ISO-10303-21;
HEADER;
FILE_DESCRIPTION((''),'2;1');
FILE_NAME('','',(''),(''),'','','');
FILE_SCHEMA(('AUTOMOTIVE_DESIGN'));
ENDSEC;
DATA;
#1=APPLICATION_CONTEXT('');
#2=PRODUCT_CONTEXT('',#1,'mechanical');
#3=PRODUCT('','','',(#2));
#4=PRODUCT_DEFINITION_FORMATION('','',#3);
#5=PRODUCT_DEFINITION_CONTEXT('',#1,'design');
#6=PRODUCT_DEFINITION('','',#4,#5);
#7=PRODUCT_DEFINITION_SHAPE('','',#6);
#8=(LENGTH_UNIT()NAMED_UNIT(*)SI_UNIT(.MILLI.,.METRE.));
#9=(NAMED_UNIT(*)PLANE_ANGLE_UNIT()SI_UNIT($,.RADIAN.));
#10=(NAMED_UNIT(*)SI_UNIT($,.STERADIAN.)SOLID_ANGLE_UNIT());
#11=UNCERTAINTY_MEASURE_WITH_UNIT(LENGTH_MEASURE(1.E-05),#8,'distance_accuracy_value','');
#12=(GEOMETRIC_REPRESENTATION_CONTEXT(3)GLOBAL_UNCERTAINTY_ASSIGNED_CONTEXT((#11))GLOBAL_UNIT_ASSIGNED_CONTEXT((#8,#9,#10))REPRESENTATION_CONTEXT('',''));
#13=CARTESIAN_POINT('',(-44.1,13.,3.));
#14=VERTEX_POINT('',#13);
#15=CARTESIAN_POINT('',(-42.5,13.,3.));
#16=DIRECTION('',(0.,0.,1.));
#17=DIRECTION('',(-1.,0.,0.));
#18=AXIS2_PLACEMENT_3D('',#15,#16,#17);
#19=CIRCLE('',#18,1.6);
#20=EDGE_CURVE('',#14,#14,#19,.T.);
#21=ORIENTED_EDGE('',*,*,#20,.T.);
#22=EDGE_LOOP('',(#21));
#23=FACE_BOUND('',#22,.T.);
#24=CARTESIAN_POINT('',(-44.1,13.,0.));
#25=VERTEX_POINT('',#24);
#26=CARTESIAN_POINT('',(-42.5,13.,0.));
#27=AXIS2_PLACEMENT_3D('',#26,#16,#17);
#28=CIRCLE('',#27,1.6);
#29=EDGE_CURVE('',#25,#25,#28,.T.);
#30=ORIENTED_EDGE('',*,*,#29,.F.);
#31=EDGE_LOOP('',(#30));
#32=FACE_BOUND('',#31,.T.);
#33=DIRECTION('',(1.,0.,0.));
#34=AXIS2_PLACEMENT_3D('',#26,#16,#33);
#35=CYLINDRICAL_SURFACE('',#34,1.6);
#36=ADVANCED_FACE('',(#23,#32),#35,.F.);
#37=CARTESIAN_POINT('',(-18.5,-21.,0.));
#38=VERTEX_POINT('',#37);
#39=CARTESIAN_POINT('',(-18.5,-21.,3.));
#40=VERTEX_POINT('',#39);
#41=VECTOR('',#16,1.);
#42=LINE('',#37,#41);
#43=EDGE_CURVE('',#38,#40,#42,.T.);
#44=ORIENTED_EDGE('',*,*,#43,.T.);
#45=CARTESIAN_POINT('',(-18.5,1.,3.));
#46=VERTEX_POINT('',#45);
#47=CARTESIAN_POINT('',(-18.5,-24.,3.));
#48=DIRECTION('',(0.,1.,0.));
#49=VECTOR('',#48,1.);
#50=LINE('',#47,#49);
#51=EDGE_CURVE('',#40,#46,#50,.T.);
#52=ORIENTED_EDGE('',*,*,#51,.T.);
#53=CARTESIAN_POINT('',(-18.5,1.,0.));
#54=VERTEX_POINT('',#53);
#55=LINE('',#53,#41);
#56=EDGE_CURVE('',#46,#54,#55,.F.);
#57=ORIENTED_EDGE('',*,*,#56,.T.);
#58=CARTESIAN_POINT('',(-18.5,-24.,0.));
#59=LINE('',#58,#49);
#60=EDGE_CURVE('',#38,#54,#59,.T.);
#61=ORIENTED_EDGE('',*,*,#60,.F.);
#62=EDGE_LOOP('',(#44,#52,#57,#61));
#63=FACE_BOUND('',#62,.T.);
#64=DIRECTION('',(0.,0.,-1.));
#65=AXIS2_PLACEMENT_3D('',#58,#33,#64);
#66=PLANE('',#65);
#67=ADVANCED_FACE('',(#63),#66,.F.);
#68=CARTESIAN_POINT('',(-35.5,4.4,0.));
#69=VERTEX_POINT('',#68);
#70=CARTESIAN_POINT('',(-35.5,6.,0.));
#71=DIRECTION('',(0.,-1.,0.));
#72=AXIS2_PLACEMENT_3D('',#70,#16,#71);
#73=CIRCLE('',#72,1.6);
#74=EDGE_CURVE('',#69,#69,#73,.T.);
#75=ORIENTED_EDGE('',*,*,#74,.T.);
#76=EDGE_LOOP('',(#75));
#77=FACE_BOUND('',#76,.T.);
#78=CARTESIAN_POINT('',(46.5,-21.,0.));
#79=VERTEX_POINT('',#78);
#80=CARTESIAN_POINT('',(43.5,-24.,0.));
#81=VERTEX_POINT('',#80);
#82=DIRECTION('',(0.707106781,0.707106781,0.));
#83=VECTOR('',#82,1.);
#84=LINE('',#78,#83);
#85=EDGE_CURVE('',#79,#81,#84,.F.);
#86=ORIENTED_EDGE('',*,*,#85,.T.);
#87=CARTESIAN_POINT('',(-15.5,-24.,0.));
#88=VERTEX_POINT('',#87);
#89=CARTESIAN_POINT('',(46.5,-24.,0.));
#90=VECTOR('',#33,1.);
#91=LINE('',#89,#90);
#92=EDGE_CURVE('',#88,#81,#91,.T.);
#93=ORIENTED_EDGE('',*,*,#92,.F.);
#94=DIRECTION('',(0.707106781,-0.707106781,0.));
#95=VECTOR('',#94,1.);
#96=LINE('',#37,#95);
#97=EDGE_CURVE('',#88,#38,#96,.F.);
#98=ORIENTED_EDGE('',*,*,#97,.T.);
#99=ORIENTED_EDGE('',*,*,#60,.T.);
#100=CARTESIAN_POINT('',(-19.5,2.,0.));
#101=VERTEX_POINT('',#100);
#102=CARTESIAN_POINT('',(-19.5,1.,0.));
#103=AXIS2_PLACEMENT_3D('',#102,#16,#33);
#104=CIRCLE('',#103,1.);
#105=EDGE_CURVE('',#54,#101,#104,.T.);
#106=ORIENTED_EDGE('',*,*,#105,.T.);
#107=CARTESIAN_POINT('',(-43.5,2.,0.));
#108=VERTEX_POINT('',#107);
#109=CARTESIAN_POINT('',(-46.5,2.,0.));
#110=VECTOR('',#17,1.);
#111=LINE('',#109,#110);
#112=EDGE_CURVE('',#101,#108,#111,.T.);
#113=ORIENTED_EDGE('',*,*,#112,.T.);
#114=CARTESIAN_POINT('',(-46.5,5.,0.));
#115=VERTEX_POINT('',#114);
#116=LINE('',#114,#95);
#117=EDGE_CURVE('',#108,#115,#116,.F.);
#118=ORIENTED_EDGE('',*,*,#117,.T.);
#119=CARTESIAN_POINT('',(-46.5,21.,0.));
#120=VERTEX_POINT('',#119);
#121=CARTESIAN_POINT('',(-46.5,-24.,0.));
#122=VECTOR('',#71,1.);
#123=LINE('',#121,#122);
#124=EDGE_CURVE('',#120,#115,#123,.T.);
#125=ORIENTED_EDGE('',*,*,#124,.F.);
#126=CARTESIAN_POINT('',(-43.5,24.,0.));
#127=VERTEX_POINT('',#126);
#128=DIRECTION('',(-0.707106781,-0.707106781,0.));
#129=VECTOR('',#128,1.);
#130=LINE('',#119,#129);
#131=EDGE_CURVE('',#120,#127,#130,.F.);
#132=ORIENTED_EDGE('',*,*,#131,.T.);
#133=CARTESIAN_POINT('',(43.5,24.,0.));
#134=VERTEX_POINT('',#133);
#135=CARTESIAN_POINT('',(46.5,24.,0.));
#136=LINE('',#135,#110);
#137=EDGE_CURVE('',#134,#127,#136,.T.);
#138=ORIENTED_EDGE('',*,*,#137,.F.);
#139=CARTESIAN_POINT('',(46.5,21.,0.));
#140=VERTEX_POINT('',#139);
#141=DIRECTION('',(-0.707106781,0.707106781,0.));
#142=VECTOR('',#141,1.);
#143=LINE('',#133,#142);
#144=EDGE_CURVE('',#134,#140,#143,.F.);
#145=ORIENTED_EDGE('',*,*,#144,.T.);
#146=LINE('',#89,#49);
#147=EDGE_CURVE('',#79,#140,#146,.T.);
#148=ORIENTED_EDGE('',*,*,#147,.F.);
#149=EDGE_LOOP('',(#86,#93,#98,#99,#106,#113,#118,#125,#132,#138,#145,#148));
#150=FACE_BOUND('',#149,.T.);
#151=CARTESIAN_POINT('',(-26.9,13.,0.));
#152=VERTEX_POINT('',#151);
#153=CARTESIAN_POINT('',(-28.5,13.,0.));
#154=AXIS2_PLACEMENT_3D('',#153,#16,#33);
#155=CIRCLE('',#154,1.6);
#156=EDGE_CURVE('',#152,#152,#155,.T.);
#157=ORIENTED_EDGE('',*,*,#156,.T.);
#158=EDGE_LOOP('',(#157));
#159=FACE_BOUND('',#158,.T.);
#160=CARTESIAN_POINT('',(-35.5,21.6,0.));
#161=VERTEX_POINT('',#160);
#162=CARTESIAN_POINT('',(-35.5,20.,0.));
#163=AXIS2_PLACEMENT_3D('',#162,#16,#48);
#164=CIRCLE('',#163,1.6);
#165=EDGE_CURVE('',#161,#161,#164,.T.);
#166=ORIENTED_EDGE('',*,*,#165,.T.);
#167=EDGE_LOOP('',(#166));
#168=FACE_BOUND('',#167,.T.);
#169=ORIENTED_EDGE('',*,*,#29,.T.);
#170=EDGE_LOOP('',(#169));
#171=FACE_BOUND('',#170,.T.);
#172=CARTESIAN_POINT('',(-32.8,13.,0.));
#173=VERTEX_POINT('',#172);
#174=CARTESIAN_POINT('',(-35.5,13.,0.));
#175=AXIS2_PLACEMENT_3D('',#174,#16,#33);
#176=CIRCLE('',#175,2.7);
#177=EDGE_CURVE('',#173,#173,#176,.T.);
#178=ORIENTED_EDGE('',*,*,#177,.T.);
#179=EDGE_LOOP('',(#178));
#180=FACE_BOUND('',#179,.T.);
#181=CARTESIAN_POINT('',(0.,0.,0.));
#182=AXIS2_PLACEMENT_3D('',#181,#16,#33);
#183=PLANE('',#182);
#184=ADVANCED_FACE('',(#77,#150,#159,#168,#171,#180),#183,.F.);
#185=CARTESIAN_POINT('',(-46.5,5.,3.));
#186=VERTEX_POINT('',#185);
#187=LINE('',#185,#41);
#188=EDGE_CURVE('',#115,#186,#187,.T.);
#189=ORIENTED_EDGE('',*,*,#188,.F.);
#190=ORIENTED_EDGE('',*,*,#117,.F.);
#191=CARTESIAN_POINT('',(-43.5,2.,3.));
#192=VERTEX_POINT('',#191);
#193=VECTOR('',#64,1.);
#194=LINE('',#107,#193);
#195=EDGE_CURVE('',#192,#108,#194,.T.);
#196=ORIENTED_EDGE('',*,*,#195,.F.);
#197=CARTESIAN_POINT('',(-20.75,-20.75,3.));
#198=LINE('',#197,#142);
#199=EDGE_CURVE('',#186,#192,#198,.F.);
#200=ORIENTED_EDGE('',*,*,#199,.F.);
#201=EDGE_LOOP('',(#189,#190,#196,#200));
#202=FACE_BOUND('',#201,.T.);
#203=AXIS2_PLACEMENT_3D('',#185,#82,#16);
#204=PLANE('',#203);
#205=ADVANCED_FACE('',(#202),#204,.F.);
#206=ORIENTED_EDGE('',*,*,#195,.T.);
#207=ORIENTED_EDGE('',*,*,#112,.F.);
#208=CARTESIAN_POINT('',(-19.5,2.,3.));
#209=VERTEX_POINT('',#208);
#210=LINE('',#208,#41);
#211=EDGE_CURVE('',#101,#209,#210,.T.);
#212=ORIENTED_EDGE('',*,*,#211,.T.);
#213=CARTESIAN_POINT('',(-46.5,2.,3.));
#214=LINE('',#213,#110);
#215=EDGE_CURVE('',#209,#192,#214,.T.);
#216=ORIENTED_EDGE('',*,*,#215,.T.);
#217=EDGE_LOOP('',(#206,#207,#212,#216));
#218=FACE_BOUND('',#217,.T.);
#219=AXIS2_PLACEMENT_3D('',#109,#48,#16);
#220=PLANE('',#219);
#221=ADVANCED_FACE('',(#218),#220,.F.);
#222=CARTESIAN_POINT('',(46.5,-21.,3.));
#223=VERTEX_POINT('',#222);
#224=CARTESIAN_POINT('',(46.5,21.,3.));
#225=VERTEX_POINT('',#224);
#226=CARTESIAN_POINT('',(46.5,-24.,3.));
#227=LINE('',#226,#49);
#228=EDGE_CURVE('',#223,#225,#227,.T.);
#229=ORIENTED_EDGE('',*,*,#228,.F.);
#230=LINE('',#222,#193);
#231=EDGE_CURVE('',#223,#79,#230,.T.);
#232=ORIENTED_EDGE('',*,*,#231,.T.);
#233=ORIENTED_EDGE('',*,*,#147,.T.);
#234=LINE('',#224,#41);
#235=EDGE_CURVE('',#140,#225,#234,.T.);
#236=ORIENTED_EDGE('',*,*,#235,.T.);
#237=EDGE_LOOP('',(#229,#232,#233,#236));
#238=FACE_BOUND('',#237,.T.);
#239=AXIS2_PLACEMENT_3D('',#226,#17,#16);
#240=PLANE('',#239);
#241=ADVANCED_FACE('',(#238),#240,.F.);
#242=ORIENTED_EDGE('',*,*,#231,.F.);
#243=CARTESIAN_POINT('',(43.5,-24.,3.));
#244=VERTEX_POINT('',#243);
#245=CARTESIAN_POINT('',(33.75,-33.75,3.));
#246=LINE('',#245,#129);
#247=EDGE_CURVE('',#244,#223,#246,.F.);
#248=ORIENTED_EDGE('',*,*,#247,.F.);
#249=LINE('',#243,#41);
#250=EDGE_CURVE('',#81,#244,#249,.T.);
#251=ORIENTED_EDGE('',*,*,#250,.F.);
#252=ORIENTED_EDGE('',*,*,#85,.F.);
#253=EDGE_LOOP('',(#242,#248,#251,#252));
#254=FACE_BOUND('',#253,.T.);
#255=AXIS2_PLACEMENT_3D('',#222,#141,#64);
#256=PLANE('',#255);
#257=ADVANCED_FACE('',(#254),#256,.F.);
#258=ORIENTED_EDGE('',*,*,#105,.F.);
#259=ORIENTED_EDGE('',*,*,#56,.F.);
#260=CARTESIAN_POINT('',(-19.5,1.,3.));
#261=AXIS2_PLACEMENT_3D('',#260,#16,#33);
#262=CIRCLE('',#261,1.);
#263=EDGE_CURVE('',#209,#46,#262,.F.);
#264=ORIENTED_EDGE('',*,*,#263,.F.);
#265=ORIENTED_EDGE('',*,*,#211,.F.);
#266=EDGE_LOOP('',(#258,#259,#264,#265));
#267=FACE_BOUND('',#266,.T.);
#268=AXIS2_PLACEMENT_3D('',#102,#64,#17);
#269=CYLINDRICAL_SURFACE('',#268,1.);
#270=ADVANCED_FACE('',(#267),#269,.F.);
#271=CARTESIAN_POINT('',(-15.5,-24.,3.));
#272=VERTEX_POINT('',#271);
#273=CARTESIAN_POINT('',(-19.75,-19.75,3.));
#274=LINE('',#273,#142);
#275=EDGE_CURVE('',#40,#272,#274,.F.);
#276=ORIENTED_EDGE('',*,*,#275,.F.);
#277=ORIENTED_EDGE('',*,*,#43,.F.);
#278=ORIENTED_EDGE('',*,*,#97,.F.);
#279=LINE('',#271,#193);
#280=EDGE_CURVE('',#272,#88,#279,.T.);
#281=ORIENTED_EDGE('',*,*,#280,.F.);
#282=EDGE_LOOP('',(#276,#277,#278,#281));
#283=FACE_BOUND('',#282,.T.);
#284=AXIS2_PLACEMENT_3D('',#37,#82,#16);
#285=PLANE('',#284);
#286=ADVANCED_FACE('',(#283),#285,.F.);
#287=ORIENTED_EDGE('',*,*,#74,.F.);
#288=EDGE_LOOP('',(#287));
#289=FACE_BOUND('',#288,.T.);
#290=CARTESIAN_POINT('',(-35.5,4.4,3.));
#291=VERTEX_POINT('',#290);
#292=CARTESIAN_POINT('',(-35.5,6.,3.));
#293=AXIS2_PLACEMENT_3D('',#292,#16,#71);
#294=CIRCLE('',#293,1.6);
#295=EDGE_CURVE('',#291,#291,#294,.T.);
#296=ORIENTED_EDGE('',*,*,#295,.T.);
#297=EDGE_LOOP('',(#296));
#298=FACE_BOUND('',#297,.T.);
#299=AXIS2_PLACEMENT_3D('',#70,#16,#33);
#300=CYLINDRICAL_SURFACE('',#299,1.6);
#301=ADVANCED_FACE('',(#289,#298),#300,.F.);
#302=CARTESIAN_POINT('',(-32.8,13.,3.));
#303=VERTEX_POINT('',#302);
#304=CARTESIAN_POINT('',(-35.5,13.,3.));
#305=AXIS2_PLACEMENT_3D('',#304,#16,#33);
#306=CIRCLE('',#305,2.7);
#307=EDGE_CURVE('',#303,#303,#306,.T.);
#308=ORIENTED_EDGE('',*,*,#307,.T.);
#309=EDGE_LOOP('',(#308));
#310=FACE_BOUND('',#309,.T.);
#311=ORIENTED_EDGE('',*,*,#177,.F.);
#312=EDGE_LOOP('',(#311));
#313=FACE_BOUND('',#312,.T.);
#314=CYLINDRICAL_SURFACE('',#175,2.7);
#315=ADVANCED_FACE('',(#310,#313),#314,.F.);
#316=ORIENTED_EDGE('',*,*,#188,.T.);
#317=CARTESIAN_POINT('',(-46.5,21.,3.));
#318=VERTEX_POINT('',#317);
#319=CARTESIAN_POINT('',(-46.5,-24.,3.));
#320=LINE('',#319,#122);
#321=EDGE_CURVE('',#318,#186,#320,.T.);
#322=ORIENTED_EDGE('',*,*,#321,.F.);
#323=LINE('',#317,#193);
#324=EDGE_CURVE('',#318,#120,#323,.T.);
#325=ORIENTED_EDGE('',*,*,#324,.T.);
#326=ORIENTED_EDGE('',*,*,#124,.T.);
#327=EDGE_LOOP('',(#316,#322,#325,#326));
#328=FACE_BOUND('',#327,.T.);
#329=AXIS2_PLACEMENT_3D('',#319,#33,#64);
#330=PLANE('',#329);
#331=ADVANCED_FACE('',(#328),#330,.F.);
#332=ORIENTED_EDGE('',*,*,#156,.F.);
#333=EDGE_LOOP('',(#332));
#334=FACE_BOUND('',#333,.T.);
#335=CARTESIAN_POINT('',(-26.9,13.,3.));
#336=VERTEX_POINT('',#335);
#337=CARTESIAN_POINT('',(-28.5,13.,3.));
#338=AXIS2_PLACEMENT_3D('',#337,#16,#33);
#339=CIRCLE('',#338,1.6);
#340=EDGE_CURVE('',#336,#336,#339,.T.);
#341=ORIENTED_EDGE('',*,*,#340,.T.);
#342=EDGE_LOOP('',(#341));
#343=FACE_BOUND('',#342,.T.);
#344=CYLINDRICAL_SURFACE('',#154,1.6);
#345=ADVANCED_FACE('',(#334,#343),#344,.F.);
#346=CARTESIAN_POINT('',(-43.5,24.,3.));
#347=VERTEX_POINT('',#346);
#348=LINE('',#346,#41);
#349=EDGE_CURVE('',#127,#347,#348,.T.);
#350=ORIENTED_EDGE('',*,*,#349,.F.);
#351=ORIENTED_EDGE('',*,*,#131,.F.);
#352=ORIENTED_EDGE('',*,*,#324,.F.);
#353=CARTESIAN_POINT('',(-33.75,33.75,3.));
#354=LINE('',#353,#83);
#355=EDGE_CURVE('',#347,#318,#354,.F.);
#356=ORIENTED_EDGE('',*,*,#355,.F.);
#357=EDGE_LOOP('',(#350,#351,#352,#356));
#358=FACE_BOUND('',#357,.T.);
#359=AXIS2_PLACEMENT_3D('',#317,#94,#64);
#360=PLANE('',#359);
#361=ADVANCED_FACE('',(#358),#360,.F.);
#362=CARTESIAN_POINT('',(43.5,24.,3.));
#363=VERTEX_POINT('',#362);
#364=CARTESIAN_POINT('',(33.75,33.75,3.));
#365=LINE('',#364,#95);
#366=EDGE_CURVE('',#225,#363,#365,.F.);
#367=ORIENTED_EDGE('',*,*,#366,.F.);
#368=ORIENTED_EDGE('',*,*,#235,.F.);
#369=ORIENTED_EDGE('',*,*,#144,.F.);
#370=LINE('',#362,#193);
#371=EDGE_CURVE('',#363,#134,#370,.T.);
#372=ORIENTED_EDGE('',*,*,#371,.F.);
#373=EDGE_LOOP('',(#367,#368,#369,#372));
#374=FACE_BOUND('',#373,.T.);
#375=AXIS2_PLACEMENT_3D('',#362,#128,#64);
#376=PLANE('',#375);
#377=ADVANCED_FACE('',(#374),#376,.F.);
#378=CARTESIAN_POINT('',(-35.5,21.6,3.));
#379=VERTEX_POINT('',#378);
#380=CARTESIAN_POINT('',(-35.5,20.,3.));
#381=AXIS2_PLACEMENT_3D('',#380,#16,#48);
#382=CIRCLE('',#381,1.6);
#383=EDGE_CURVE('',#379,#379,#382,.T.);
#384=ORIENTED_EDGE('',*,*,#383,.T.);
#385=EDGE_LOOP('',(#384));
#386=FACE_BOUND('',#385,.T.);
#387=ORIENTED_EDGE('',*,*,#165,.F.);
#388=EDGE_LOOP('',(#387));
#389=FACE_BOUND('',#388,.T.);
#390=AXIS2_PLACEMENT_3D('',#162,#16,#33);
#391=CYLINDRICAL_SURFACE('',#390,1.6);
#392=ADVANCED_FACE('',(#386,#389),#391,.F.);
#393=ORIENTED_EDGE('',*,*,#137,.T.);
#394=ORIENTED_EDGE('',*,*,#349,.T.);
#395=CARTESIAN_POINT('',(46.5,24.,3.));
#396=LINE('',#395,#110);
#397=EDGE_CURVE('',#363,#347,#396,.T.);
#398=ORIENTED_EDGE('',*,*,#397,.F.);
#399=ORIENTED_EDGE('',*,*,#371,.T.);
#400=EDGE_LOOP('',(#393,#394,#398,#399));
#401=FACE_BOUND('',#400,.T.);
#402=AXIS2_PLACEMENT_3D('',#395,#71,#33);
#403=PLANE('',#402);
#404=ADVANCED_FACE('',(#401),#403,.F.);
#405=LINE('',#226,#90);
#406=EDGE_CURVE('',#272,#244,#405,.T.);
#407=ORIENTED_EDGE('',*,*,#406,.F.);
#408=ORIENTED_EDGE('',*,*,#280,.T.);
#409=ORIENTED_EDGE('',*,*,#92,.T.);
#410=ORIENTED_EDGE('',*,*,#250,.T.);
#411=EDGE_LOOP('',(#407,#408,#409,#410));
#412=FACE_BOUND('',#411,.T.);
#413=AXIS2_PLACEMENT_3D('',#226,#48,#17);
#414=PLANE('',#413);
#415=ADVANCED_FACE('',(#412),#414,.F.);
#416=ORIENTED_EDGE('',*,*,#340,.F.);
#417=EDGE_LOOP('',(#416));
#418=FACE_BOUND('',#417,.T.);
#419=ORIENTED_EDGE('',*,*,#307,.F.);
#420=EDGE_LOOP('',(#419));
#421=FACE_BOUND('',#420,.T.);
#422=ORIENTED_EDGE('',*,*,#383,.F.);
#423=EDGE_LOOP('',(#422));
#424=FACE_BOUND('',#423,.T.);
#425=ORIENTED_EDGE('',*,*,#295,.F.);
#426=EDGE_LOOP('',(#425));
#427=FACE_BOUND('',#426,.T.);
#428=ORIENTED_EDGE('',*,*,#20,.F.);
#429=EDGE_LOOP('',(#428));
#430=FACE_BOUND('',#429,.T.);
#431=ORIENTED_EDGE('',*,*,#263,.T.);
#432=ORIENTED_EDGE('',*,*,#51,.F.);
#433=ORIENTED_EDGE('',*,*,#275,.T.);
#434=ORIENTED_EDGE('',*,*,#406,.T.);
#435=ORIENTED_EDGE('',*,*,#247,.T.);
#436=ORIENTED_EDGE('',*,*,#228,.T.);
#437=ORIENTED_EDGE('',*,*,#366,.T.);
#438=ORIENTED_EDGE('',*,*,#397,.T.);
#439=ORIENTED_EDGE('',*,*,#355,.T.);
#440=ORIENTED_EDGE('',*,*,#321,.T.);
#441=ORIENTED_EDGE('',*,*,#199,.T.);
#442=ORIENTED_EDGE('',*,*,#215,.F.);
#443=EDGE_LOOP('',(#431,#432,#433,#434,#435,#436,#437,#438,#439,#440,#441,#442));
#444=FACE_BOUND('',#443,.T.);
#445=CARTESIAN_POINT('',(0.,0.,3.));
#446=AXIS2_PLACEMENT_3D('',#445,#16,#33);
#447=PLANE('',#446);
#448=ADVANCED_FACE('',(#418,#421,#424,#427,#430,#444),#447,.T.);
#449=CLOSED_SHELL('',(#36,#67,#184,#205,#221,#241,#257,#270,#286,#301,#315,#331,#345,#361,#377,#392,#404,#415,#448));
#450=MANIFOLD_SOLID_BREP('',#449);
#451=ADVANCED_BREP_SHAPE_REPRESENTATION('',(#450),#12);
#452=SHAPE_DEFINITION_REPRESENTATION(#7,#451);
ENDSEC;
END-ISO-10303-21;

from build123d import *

# Parameters (mm, degrees)
SKETCH_1_W               = 93
SKETCH_1_H               = 48
EXTRUDE_1_DEPTH          = 3
SKETCH_2_R               = 2.7
SKETCH_2_R_2             = 1.6
CUT_EXTRUDE_1_DEPTH      = 53.414215629
PATTERN_CIRCULAR_1_COUNT = 4
SKETCH_3_W               = 28
SKETCH_3_H               = 26
CUT_EXTRUDE_2_DEPTH      = 53.414215629
FILLET_1_R               = 1
CHAMFER_1_SIZE           = 3


with BuildPart() as part:
    # 草圖1 → 填料-伸長1 (new body)
    with BuildSketch(Plane.XY):
        Rectangle(SKETCH_1_W, SKETCH_1_H)
    extrude(amount=EXTRUDE_1_DEPTH)

    # 草圖2 → 除料-伸長1 (cut, through all)
    with BuildSketch(Plane.XY.offset(3)):
        with Locations((-35.5, 13)):
            Circle(SKETCH_2_R)
        with Locations((-28.5, 13)):
            Circle(SKETCH_2_R_2)
    cut_extrude_1 = extrude(amount=-CUT_EXTRUDE_1_DEPTH, mode=Mode.SUBTRACT)

    # 環狀複製排列1: 除料-伸長1 ×4 about axis
    pattern_circular_1_axis = Axis((-35.5, 13, 0), (0, 0, 1))
    for i in range(1, PATTERN_CIRCULAR_1_COUNT):
        add(cut_extrude_1.rotate(pattern_circular_1_axis, i * 360 / PATTERN_CIRCULAR_1_COUNT), mode=Mode.SUBTRACT)

    # 草圖3 → 除料-伸長2 (cut, through all)
    with BuildSketch(Plane.XY.offset(3)):
        with Locations((-32.5, -11)):
            Rectangle(SKETCH_3_W, SKETCH_3_H)
    extrude(amount=-CUT_EXTRUDE_2_DEPTH, mode=Mode.SUBTRACT)

    # 圓角1
    fillet_1_edges = [part.edges().sort_by_distance(p)[0] for p in [
        (-18.5, 2, 1.5),
    ]]
    fillet(fillet_1_edges, radius=FILLET_1_R)

    # 導角1
    chamfer_1_edges = [part.edges().sort_by_distance(p)[0] for p in [
        (-46.5, 2, 1.5),
        (-18.5, -24, 1.5),
        (-46.5, 24, 1.5),
        (46.5, 24, 1.5),
        (46.5, -24, 1.5),
    ]]
    chamfer(chamfer_1_edges, length=CHAMFER_1_SIZE)


solid = part.part
